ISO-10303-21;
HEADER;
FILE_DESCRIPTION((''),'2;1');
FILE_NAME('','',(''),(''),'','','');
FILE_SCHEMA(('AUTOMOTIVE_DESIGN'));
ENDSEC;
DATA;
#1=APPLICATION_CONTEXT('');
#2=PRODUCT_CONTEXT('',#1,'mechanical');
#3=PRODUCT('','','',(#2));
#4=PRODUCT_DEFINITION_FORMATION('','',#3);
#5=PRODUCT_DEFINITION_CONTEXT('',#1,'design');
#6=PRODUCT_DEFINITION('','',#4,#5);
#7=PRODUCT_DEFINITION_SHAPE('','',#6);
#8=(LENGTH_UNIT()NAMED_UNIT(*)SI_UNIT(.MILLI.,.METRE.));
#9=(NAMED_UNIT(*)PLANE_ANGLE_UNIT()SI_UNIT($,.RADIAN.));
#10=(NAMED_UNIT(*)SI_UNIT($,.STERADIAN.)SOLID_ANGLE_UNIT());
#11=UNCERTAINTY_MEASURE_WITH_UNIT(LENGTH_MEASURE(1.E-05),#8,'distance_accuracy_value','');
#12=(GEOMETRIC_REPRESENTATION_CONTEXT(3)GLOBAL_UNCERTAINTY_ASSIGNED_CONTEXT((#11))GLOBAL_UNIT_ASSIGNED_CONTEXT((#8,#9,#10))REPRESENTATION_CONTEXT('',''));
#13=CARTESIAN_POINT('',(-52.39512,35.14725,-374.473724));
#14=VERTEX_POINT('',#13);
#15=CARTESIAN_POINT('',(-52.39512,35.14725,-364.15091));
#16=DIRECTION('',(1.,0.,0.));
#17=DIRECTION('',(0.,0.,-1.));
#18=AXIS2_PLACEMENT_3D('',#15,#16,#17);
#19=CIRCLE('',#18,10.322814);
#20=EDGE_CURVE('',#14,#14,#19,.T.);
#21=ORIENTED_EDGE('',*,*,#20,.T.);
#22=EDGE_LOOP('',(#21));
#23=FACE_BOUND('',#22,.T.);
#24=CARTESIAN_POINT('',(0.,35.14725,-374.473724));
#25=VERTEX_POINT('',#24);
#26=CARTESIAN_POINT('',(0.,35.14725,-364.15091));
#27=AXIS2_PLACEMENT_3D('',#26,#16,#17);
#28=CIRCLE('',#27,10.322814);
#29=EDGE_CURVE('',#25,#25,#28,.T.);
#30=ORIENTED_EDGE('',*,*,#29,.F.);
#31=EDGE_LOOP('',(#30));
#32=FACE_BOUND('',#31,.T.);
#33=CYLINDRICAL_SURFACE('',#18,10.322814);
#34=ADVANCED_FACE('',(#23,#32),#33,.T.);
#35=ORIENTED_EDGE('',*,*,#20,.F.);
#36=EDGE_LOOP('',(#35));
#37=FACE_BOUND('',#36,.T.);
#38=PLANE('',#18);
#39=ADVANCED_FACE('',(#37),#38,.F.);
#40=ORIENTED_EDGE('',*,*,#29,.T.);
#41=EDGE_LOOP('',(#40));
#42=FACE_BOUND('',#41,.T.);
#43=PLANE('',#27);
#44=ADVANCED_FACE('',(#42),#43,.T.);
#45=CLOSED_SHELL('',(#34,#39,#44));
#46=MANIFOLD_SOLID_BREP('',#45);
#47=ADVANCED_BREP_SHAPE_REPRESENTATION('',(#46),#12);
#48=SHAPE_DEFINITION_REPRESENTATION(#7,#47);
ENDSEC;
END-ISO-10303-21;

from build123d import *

# Parameters (mm, degrees)
SKETCH1_R           = 10.322814
BOSS_EXTRUDE1_DEPTH = 52.39512


with BuildPart() as part:
    # Sketch1 → Boss-Extrude1 (new body)
    with BuildSketch(Plane(origin=(0, 0, 0), x_dir=(0, 0, -1), z_dir=(1, 0, 0))):
        with Locations((364.15091, 35.14725)):
            Circle(SKETCH1_R)
    extrude(amount=-BOSS_EXTRUDE1_DEPTH)


solid = part.part
